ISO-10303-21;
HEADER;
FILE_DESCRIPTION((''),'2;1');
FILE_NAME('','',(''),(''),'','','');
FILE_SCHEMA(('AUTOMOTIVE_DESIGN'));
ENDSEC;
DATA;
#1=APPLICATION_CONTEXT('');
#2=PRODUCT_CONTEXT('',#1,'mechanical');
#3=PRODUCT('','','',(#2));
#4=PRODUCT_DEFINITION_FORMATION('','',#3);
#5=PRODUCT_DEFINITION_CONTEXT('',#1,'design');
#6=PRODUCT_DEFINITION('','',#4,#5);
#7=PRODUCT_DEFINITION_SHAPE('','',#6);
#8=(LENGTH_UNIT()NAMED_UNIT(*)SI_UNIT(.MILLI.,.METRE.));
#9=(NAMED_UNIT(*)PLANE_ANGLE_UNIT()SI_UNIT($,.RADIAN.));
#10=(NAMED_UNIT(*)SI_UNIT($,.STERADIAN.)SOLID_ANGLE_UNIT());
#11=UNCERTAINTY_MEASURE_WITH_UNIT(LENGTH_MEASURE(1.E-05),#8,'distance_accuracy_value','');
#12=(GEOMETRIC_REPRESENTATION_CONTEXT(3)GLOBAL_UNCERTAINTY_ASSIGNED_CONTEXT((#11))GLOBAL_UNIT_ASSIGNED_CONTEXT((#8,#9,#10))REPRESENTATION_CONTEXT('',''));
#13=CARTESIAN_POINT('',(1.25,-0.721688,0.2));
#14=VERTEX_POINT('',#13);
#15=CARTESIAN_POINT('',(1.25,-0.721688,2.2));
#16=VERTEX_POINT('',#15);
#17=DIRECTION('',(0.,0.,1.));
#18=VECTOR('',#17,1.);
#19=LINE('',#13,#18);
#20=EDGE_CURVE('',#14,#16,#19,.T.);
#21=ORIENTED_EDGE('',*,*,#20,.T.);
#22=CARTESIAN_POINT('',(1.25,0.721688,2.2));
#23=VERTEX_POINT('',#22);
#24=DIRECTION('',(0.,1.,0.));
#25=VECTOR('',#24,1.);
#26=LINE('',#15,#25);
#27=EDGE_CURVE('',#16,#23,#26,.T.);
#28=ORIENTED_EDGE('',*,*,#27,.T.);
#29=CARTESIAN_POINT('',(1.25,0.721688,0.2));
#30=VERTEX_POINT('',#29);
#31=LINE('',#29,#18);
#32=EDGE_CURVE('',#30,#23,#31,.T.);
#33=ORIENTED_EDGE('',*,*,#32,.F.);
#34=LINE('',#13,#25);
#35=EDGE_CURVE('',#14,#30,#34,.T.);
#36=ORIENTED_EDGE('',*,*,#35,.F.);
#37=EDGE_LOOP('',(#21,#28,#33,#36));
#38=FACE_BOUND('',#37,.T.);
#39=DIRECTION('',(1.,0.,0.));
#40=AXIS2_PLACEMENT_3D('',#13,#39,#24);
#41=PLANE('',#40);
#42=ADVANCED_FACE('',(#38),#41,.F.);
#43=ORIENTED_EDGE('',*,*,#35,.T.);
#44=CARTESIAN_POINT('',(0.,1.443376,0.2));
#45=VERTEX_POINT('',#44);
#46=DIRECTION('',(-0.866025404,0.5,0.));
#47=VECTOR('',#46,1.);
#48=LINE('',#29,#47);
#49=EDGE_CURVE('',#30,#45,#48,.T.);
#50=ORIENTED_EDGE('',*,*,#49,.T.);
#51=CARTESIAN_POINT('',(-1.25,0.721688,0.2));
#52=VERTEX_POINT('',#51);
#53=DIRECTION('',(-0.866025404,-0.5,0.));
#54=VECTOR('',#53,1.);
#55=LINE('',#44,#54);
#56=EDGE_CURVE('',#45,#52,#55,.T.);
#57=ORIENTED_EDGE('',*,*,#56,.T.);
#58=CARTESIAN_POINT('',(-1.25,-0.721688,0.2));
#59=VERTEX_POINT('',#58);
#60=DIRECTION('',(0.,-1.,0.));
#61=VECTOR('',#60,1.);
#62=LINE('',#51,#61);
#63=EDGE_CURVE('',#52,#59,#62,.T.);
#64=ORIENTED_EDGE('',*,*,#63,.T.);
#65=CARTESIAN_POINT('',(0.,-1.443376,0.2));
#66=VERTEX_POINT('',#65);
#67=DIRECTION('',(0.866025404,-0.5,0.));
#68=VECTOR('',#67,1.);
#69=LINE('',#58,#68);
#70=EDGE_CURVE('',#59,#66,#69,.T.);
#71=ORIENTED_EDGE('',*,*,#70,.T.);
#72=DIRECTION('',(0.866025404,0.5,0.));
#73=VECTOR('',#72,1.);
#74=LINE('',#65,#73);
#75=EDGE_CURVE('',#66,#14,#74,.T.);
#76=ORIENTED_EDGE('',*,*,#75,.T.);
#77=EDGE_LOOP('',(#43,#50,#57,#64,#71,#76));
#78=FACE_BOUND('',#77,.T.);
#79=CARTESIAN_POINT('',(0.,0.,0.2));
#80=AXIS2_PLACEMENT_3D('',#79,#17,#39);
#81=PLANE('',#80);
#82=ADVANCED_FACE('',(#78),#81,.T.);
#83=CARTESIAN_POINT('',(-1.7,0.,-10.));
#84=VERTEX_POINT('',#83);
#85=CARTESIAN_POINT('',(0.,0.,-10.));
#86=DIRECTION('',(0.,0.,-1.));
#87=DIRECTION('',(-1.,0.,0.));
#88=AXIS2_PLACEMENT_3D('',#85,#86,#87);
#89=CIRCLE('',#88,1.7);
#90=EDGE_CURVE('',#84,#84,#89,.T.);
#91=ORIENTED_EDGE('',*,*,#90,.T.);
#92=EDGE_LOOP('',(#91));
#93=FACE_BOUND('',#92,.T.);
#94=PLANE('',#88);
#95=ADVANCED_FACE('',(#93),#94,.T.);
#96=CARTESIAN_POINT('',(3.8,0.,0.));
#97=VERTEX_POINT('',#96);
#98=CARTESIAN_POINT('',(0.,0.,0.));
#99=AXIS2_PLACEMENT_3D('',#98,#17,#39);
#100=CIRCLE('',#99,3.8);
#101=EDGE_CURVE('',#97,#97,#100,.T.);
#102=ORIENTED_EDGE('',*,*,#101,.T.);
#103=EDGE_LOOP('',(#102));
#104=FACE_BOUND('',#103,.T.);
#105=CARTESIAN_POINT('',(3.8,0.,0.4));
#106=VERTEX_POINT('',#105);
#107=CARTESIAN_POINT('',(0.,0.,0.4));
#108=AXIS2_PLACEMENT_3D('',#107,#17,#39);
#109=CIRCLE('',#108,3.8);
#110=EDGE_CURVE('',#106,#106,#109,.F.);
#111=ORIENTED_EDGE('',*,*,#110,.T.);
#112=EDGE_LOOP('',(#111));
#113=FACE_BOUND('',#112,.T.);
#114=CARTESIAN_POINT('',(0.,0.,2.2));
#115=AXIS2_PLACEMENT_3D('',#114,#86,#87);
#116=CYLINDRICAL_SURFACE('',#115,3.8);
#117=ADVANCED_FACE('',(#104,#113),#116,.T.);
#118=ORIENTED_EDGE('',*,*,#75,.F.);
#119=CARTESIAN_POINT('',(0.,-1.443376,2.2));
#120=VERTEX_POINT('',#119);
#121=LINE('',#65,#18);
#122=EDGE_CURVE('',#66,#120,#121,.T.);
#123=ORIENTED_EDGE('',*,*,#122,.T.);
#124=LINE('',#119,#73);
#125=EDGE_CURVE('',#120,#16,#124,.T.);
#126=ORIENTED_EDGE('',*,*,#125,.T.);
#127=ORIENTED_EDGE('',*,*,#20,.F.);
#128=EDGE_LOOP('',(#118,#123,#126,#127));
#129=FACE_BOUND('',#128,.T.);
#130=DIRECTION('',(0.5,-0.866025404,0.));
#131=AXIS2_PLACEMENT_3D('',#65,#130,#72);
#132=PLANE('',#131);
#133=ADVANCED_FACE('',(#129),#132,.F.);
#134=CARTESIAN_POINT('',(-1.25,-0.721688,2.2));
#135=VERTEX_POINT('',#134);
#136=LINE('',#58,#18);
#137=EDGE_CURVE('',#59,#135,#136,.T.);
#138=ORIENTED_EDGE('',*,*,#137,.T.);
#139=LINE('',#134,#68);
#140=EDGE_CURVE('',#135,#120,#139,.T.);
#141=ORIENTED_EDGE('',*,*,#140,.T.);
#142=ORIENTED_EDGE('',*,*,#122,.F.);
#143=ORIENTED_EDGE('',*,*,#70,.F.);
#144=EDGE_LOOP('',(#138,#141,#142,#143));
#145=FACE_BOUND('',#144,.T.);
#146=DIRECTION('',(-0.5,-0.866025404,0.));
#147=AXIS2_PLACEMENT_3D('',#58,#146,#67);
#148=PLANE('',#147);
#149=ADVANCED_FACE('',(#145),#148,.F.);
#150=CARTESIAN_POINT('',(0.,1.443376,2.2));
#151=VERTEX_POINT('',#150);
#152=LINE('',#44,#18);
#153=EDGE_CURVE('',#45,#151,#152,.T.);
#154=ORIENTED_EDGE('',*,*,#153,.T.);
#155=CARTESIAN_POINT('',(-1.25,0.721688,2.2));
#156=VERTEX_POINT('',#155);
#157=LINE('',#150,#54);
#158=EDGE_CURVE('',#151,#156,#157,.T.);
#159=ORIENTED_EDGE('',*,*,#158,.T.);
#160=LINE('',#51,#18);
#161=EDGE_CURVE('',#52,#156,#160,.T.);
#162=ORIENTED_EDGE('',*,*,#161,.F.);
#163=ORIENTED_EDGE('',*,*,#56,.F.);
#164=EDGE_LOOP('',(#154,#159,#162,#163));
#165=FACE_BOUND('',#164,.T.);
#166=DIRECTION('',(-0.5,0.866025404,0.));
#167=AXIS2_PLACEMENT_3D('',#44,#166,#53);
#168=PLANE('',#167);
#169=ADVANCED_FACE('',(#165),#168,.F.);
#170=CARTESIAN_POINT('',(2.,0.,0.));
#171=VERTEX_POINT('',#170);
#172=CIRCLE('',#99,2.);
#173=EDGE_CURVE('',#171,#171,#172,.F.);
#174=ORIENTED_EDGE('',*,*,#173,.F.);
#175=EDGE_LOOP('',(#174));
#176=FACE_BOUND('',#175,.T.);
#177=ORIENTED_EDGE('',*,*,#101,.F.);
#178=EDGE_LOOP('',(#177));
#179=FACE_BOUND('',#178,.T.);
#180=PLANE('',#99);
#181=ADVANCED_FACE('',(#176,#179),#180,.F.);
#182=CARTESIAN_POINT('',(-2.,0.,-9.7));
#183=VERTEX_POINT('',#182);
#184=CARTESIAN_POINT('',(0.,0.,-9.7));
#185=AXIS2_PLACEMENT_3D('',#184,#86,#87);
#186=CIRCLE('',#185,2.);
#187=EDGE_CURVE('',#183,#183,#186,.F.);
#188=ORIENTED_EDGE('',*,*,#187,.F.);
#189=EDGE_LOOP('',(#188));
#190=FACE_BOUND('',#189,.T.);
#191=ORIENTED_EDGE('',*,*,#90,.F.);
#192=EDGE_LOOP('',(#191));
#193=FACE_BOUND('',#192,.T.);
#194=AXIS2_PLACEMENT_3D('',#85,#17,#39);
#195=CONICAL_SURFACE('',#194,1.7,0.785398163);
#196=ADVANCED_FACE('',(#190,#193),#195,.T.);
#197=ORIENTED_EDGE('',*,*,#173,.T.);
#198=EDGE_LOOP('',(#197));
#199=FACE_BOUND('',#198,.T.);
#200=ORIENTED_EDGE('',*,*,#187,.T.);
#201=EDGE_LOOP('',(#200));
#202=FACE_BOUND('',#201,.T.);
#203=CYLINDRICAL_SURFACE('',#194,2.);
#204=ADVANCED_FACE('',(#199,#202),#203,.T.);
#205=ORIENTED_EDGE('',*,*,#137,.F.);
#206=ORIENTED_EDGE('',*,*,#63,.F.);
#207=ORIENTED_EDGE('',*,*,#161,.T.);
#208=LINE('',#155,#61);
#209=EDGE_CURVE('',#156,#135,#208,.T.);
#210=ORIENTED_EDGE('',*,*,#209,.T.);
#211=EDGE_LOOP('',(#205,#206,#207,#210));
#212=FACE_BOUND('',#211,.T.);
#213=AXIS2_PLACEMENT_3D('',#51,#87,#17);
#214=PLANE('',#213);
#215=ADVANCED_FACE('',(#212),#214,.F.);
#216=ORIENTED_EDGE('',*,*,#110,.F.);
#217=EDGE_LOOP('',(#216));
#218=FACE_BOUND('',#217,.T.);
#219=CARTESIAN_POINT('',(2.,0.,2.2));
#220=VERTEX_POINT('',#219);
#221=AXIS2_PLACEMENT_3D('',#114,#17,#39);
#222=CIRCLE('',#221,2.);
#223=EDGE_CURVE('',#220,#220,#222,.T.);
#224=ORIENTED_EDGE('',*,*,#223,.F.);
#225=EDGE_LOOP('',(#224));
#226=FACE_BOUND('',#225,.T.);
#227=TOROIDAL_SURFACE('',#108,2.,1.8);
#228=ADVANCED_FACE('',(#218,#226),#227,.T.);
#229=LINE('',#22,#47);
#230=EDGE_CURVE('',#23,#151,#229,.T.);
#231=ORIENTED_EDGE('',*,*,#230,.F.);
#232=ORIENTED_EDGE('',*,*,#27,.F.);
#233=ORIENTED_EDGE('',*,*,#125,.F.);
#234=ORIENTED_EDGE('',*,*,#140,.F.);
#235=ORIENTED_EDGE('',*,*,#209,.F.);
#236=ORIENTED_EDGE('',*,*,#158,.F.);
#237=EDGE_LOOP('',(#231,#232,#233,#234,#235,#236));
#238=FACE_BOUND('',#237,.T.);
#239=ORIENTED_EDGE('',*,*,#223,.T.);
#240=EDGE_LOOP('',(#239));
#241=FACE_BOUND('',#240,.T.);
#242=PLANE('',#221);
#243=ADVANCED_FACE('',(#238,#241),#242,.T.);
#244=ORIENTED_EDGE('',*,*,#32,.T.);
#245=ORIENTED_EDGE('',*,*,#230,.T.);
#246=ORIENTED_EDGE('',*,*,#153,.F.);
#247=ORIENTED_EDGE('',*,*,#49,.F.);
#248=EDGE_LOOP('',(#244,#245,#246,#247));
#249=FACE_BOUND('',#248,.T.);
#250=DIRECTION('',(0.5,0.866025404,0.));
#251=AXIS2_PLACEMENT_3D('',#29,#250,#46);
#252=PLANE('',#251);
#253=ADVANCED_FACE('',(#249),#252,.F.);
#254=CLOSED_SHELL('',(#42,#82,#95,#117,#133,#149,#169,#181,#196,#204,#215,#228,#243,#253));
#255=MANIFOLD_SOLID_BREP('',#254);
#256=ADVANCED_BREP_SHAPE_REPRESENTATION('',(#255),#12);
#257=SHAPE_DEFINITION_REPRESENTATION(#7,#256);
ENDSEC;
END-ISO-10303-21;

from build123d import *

# Parameters (mm, degrees)
SKETCH1_R           = 3.8
BOSS_EXTRUDE1_DEPTH = 2.2
SKETCH2_R           = 2
BOSS_EXTRUDE2_DEPTH = 10
CHAMFER1_SIZE       = 0.3
CUT_EXTRUDE1_DEPTH  = 2
FILLET1_R           = 1.8


with BuildPart() as part:
    # Sketch1 → Boss-Extrude1 (new body)
    with BuildSketch(Plane.XY):
        Circle(SKETCH1_R)
    extrude(amount=BOSS_EXTRUDE1_DEPTH)

    # Sketch2 → Boss-Extrude2 (add)
    with BuildSketch(Plane(origin=(0, 0, 0), x_dir=(-1, 0, 0), z_dir=(0, 0, -1))):
        Circle(SKETCH2_R)
    extrude(amount=BOSS_EXTRUDE2_DEPTH)

    # Chamfer1
    chamfer1_edges = [part.edges().sort_by_distance(p)[0] for p in [
        (2, 0, -10),
    ]]
    chamfer(chamfer1_edges, length=CHAMFER1_SIZE)

    # Sketch3 → Cut-Extrude1 (cut)
    with BuildSketch(Plane.XY.offset(2.2)):
        Polygon((0, 1.443375673), (-1.25, 0.721687836), (-1.25, -0.721687836), (0, -1.443375673), (1.25, -0.721687836), (1.25, 0.721687836), align=None)
    extrude(amount=-CUT_EXTRUDE1_DEPTH, mode=Mode.SUBTRACT)

    # Fillet1
    fillet1_edges = [part.edges().sort_by_distance(p)[0] for p in [
        (-3.8, 0, 2.2),
    ]]
    fillet(fillet1_edges, radius=FILLET1_R)


solid = part.part
